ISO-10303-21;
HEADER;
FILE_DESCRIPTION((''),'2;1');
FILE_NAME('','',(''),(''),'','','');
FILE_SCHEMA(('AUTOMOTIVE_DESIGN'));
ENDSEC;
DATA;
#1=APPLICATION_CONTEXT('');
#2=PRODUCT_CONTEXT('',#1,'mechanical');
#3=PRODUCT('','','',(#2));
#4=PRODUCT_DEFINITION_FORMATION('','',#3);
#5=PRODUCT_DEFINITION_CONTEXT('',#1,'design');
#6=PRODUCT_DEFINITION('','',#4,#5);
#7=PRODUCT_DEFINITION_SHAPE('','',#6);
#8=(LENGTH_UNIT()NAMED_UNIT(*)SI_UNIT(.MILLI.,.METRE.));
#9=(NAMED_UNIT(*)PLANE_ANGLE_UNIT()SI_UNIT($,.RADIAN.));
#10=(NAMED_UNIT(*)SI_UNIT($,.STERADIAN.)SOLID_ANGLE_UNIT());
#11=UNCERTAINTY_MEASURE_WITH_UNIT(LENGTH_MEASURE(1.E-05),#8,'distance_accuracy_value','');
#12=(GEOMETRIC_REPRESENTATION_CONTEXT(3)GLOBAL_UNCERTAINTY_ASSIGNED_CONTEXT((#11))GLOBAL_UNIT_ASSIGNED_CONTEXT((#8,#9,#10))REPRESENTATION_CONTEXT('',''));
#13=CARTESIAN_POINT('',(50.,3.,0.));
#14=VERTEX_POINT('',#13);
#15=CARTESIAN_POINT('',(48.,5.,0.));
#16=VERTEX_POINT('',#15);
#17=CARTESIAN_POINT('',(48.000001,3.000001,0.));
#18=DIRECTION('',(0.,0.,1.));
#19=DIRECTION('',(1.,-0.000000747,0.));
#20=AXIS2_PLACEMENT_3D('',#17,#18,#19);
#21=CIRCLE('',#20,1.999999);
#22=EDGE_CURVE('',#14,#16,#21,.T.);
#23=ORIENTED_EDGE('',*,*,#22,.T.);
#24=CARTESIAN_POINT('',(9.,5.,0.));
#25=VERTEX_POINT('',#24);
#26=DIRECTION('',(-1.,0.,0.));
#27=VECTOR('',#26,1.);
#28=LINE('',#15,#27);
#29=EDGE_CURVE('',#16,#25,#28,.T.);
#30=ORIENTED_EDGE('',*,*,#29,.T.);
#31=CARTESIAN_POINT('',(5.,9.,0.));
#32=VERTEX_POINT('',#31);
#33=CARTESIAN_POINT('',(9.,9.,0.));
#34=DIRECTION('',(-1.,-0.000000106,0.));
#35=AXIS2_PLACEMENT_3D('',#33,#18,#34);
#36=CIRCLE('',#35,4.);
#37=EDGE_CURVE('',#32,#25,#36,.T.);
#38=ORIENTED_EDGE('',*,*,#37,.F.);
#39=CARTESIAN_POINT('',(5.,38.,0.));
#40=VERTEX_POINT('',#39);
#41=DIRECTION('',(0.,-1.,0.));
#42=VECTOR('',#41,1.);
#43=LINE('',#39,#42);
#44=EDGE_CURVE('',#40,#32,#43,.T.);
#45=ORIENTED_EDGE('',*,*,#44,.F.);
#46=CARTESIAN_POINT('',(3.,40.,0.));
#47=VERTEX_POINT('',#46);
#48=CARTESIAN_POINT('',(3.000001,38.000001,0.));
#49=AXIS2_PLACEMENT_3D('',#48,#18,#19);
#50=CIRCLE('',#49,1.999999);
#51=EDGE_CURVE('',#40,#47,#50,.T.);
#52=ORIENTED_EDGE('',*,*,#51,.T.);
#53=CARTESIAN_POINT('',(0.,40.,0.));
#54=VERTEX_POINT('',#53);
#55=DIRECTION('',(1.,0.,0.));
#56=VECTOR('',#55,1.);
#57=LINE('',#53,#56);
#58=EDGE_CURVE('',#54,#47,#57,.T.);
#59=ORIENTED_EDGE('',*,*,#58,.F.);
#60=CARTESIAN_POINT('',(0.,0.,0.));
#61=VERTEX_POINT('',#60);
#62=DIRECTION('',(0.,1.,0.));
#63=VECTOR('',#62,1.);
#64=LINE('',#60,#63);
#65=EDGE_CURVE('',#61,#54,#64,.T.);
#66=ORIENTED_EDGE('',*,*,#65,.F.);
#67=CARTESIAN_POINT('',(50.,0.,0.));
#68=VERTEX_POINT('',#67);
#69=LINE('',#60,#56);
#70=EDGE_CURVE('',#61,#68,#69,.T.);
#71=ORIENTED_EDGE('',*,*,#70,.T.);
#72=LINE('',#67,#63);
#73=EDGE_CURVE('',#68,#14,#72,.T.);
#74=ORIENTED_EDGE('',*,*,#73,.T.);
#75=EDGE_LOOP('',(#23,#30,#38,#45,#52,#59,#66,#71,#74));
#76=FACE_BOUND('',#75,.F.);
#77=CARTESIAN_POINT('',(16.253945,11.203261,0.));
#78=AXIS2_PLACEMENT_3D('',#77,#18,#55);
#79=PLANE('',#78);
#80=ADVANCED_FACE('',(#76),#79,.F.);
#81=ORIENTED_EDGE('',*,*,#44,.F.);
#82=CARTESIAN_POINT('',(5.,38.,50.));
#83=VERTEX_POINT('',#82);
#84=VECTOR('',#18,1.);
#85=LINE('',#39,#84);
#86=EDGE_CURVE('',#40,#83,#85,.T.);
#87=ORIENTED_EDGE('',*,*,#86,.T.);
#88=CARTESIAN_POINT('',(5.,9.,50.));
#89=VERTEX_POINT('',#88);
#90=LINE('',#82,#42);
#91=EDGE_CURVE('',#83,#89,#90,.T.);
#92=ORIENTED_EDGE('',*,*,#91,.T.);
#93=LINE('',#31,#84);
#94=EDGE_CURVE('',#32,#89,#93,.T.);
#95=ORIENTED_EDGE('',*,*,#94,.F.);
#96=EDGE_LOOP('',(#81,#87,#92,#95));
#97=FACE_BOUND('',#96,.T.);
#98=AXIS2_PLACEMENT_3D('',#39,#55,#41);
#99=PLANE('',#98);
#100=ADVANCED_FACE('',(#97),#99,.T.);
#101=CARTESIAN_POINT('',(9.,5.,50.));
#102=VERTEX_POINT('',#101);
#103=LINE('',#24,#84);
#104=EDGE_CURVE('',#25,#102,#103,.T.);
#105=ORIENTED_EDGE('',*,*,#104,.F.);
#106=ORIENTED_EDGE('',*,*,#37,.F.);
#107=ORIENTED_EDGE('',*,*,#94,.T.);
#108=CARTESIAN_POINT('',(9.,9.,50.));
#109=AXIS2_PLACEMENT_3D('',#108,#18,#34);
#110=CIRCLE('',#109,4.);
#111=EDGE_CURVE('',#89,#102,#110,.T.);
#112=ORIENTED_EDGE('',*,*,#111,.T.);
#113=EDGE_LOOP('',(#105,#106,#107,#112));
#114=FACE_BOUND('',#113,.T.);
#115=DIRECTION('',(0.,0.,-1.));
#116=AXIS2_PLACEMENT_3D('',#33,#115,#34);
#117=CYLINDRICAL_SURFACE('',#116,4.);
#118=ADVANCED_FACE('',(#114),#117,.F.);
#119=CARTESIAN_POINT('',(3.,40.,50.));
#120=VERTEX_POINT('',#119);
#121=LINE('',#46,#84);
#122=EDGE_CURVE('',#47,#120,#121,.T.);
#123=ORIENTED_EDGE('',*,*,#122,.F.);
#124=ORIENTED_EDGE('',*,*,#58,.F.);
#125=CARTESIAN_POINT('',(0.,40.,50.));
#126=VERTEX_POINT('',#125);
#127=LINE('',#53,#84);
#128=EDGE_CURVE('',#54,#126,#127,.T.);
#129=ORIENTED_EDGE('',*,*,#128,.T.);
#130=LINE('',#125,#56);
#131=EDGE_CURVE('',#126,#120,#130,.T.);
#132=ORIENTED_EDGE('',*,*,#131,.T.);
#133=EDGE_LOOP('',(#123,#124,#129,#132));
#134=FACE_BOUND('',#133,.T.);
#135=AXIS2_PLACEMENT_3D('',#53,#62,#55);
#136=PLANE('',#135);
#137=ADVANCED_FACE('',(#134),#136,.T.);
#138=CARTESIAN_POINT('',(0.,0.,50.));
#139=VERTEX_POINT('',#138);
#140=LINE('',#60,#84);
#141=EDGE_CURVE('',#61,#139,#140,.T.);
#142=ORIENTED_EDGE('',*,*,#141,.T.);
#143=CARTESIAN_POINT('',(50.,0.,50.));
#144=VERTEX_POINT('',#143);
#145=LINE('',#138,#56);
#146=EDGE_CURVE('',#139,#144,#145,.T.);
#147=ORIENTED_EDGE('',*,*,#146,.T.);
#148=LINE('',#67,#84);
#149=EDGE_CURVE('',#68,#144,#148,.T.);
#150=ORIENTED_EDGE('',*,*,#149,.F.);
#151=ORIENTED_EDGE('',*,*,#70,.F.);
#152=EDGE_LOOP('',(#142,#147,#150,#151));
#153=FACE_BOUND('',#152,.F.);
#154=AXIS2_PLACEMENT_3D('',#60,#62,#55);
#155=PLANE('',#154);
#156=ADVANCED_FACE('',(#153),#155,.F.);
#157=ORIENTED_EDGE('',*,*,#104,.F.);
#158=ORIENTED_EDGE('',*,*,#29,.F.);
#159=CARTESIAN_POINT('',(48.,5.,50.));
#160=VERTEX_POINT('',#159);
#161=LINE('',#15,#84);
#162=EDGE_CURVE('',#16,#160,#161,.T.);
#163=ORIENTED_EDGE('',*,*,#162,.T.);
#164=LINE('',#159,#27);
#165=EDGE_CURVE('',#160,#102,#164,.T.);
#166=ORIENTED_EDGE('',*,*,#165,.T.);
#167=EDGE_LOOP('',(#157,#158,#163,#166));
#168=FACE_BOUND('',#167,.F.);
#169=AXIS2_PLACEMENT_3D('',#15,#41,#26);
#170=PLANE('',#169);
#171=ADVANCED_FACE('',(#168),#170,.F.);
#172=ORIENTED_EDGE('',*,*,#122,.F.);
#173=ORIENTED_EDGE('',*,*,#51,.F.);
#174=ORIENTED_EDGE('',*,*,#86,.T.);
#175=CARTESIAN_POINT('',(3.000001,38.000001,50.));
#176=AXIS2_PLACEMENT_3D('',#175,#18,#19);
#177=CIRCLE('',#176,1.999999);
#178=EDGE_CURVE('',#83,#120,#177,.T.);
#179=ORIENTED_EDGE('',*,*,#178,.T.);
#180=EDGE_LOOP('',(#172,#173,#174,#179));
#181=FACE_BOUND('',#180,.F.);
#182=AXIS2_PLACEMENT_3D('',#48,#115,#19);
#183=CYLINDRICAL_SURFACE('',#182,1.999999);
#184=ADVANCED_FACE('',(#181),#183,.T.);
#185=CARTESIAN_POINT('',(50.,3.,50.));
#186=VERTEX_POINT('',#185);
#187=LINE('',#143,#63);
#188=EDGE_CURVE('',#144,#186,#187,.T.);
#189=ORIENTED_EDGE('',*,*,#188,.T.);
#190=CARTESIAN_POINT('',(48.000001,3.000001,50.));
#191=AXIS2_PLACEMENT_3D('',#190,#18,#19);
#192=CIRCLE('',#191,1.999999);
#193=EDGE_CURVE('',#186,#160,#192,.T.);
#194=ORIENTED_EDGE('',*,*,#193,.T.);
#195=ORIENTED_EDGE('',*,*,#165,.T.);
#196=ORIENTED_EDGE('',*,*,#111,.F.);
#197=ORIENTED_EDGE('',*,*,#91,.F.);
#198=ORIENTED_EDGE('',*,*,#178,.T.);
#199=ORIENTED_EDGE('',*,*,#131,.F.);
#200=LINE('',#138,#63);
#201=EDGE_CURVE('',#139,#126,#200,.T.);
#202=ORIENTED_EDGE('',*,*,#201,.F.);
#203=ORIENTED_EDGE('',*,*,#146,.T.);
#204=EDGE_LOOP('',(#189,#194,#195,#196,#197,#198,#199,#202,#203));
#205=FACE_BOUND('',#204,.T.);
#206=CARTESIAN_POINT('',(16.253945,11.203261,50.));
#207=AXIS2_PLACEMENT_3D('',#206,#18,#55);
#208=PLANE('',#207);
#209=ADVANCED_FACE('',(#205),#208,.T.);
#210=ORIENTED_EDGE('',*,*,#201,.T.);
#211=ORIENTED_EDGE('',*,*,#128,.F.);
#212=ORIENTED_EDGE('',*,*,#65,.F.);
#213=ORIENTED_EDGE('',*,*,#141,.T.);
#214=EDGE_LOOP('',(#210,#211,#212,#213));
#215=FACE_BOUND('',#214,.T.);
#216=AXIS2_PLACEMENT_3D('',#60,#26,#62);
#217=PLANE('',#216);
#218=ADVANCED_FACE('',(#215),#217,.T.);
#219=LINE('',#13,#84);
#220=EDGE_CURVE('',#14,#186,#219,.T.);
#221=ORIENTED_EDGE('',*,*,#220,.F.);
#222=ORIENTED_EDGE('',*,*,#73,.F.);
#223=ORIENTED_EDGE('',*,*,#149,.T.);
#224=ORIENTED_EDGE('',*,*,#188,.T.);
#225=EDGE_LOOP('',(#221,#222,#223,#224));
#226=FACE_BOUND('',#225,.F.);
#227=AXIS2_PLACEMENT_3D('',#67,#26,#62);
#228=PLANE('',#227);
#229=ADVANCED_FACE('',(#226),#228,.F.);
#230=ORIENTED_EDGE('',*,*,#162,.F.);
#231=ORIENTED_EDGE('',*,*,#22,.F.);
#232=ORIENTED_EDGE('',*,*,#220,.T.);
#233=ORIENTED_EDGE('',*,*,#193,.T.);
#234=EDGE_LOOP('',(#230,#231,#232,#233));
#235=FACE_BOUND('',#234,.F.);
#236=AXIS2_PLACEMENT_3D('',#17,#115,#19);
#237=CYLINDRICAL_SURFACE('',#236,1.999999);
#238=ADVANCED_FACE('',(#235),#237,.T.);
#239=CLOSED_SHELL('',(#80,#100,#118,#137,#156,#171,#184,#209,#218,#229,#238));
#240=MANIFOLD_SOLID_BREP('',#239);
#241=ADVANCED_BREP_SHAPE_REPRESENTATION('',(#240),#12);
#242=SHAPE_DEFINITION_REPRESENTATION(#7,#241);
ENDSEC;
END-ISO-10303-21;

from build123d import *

# Parameters (mm, degrees)
EXTRUDE_DEPTH = 50


with BuildPart() as part:
    # Sketch → Extrude (new body)
    with BuildSketch(Plane.XY):
        with BuildLine():
            Line((0, 0), (50, 0))
            Line((50, 0), (50, 3))
            ThreePointArc((50, 3), (49.414214, 4.414214), (48, 5))
            Line((48, 5), (9, 5))
            ThreePointArc((5, 9), (6.171573, 6.171573), (9, 5))
            Line((5, 38), (5, 9))
            ThreePointArc((5, 38), (4.414214, 39.414214), (3, 40))
            Line((0, 40), (3, 40))
            Line((0, 0), (0, 40))
        make_face()
    extrude(amount=EXTRUDE_DEPTH)


solid = part.part
